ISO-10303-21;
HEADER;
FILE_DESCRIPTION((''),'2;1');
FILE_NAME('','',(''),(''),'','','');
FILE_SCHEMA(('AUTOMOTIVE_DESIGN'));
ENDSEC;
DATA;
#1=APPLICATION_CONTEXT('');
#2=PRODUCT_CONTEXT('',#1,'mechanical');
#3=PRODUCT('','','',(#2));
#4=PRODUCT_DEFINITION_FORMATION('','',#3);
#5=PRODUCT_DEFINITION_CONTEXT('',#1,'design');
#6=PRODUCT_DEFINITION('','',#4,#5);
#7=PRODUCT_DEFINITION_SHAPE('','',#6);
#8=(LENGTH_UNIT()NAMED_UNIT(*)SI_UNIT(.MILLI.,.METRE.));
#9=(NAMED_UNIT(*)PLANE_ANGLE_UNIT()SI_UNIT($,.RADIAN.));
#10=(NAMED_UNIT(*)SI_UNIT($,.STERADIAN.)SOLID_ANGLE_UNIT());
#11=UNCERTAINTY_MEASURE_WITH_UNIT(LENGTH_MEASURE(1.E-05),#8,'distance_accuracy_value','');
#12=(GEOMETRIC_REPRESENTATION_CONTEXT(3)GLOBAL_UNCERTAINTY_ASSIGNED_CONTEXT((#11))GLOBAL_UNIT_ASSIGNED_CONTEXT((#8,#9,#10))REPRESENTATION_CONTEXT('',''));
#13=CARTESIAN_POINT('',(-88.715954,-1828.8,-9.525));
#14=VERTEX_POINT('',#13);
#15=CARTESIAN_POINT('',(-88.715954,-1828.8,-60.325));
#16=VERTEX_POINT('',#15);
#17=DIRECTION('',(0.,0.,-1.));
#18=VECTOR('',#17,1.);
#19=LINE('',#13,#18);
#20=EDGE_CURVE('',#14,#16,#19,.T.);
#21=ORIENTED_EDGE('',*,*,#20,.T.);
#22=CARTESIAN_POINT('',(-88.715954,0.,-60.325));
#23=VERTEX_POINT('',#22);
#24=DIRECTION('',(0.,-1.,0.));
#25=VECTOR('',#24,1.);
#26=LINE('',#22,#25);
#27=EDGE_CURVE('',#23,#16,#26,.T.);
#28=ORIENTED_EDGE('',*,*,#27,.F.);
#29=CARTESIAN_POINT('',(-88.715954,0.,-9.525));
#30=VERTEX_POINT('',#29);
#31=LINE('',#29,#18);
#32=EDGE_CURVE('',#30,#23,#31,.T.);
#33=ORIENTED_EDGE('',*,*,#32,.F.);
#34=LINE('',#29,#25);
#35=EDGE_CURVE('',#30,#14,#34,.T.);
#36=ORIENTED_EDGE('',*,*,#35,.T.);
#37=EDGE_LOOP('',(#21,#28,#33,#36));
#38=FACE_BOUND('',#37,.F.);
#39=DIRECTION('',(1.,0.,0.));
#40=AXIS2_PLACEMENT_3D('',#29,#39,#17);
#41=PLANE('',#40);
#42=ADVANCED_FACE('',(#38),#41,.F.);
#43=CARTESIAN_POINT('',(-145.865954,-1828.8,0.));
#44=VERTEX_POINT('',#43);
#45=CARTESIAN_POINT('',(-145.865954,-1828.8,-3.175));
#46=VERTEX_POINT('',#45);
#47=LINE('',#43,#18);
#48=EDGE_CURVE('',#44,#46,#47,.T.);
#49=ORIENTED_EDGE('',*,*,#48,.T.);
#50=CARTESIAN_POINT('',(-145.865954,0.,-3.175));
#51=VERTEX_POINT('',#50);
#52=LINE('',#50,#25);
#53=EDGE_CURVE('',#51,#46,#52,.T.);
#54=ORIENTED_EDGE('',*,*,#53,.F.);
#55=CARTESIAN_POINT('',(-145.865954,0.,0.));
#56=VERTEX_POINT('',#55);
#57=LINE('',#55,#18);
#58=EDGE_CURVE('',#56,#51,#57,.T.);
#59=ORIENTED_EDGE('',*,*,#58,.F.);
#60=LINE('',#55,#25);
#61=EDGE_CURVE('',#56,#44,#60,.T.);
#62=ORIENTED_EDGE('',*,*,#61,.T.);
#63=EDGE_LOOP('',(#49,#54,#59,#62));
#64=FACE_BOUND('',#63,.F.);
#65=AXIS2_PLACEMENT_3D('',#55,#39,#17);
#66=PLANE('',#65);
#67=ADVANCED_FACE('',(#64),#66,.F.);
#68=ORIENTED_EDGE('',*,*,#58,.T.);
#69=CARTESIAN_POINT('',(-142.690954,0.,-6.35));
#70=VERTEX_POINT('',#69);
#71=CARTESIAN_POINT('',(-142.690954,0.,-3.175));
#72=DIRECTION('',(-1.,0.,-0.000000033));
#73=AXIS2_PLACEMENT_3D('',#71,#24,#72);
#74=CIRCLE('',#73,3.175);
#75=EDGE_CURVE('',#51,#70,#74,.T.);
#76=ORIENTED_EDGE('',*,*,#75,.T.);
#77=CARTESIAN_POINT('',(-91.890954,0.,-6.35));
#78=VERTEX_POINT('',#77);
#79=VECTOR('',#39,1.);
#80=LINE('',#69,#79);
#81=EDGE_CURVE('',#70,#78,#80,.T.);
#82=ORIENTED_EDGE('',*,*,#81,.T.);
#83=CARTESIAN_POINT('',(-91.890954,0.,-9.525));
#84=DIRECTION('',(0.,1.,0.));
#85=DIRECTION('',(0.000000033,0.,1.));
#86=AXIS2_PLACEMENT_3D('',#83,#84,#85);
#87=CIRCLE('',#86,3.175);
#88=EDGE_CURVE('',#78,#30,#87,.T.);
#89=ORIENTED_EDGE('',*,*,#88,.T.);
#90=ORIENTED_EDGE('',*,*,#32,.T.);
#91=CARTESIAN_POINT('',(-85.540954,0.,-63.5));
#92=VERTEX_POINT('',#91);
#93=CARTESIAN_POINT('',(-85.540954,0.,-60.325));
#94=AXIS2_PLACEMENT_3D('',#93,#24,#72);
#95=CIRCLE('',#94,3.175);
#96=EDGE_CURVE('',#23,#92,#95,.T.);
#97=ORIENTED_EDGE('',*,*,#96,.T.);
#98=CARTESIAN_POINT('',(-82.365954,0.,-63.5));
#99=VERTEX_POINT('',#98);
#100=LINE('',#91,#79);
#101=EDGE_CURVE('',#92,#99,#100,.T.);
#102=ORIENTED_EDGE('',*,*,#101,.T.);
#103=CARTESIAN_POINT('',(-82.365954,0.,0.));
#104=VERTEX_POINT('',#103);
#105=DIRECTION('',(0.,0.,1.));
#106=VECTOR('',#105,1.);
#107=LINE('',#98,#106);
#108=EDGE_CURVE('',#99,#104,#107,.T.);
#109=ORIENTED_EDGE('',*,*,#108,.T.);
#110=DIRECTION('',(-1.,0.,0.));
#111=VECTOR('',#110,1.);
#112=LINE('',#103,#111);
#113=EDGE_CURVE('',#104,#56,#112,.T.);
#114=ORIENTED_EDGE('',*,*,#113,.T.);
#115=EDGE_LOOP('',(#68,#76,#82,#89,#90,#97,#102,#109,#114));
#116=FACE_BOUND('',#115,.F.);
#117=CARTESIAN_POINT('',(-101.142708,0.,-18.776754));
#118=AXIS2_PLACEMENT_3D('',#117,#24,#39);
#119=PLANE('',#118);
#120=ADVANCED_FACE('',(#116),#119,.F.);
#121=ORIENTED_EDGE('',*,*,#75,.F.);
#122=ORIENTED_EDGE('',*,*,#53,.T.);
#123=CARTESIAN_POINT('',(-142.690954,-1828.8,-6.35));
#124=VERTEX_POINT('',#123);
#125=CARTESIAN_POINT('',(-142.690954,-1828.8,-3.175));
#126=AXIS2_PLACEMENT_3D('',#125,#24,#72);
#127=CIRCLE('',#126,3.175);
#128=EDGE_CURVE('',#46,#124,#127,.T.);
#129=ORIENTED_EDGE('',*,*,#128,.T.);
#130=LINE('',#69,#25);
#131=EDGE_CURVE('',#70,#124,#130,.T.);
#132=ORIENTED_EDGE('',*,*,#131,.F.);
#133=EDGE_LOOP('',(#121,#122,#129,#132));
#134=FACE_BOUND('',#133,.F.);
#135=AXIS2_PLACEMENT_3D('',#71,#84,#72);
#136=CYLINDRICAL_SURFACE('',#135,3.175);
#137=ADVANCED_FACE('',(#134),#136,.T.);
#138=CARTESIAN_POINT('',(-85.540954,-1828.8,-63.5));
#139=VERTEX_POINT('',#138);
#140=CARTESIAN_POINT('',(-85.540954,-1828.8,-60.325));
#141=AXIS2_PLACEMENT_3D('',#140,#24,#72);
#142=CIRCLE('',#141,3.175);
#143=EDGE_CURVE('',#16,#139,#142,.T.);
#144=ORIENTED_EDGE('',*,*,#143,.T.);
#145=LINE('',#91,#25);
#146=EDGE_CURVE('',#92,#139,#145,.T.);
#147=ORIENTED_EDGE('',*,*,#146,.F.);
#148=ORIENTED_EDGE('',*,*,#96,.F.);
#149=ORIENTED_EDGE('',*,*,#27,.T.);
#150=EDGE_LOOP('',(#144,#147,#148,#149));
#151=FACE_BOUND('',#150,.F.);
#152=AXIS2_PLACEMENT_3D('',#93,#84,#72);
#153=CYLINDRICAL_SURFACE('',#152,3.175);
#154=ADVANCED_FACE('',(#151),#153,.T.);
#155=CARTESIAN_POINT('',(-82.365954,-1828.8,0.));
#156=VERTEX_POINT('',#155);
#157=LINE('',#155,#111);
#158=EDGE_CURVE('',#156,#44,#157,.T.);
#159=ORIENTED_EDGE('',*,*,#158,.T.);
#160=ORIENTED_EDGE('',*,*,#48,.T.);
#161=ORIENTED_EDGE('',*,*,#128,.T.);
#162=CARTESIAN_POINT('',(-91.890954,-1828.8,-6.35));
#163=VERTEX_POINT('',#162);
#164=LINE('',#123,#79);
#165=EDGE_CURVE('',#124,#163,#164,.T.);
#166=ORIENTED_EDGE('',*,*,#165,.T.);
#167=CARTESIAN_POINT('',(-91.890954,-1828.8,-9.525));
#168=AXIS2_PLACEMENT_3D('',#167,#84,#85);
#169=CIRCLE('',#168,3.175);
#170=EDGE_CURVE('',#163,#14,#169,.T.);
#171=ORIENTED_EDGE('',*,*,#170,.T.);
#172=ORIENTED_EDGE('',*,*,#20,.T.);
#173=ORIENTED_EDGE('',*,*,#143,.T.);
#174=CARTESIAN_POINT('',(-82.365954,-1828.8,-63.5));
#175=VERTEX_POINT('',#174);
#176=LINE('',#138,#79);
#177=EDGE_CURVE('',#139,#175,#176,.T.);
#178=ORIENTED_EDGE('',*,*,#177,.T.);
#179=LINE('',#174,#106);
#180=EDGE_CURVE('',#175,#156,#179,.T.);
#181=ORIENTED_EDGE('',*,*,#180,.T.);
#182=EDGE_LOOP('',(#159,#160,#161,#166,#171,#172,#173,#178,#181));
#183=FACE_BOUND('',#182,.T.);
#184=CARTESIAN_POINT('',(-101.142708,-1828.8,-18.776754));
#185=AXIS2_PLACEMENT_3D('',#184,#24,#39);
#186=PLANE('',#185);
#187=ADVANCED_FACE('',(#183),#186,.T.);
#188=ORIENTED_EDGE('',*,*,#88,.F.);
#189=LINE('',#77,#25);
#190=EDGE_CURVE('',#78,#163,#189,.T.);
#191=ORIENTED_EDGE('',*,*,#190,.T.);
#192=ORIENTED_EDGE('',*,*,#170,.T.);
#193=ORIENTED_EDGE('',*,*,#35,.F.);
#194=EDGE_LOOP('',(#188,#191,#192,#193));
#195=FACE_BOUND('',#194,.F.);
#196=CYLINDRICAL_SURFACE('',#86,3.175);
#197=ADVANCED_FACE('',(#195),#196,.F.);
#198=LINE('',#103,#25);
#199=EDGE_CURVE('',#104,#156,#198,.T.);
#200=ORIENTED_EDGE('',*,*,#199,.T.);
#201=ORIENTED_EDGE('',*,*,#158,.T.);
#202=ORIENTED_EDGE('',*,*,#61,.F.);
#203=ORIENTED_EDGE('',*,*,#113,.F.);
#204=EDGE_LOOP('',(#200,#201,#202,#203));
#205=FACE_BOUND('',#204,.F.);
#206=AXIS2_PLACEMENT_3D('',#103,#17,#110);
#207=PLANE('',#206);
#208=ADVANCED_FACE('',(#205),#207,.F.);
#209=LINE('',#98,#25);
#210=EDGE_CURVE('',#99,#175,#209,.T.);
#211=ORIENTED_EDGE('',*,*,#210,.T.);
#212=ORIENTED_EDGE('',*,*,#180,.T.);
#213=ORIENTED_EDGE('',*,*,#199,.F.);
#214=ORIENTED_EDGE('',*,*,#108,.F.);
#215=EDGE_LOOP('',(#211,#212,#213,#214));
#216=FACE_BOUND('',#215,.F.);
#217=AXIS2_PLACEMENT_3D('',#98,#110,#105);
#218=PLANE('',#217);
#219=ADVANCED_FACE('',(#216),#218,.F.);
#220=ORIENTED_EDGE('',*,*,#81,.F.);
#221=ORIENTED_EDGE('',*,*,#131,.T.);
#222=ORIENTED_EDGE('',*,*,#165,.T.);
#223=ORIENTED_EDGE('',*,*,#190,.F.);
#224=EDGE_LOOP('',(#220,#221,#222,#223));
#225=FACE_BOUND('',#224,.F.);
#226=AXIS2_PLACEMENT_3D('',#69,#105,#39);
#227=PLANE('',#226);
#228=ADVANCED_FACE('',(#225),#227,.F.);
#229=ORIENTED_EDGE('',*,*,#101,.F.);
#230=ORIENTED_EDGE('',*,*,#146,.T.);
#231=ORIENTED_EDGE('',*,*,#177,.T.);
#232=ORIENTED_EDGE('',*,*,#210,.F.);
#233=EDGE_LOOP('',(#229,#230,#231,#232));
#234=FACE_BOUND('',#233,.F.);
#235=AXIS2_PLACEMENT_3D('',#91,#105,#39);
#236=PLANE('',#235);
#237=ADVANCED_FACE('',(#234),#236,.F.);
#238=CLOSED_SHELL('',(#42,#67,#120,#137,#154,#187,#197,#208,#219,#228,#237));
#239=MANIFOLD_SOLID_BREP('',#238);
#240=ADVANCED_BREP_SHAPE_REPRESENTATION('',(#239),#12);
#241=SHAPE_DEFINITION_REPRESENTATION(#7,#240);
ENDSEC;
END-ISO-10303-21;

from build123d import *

# Parameters (mm, degrees)
F1_DEPTH = 1828.8


with BuildPart() as f1:
    # F0 (on Front) → F1 (new body)
    with BuildSketch(Plane.XZ):
        with BuildLine():
            Line((-82.365954, -63.5), (-82.365954, 0))
            Line((-82.365954, 0), (-145.865954, 0))
            Line((-145.865954, 0), (-145.865954, -3.175))
            ThreePointArc((-145.865954, -3.175), (-144.936018, -5.420064), (-142.690954, -6.35))
            Line((-142.690954, -6.35), (-91.890954, -6.35))
            ThreePointArc((-91.890954, -6.35), (-89.64589, -7.279936), (-88.715954, -9.525))
            Line((-88.715954, -9.525), (-88.715954, -60.325))
            ThreePointArc((-88.715954, -60.325), (-87.786018, -62.570064), (-85.540954, -63.5))
            Line((-85.540954, -63.5), (-82.365954, -63.5))
        make_face()
    extrude(amount=F1_DEPTH)


solid = f1.part
